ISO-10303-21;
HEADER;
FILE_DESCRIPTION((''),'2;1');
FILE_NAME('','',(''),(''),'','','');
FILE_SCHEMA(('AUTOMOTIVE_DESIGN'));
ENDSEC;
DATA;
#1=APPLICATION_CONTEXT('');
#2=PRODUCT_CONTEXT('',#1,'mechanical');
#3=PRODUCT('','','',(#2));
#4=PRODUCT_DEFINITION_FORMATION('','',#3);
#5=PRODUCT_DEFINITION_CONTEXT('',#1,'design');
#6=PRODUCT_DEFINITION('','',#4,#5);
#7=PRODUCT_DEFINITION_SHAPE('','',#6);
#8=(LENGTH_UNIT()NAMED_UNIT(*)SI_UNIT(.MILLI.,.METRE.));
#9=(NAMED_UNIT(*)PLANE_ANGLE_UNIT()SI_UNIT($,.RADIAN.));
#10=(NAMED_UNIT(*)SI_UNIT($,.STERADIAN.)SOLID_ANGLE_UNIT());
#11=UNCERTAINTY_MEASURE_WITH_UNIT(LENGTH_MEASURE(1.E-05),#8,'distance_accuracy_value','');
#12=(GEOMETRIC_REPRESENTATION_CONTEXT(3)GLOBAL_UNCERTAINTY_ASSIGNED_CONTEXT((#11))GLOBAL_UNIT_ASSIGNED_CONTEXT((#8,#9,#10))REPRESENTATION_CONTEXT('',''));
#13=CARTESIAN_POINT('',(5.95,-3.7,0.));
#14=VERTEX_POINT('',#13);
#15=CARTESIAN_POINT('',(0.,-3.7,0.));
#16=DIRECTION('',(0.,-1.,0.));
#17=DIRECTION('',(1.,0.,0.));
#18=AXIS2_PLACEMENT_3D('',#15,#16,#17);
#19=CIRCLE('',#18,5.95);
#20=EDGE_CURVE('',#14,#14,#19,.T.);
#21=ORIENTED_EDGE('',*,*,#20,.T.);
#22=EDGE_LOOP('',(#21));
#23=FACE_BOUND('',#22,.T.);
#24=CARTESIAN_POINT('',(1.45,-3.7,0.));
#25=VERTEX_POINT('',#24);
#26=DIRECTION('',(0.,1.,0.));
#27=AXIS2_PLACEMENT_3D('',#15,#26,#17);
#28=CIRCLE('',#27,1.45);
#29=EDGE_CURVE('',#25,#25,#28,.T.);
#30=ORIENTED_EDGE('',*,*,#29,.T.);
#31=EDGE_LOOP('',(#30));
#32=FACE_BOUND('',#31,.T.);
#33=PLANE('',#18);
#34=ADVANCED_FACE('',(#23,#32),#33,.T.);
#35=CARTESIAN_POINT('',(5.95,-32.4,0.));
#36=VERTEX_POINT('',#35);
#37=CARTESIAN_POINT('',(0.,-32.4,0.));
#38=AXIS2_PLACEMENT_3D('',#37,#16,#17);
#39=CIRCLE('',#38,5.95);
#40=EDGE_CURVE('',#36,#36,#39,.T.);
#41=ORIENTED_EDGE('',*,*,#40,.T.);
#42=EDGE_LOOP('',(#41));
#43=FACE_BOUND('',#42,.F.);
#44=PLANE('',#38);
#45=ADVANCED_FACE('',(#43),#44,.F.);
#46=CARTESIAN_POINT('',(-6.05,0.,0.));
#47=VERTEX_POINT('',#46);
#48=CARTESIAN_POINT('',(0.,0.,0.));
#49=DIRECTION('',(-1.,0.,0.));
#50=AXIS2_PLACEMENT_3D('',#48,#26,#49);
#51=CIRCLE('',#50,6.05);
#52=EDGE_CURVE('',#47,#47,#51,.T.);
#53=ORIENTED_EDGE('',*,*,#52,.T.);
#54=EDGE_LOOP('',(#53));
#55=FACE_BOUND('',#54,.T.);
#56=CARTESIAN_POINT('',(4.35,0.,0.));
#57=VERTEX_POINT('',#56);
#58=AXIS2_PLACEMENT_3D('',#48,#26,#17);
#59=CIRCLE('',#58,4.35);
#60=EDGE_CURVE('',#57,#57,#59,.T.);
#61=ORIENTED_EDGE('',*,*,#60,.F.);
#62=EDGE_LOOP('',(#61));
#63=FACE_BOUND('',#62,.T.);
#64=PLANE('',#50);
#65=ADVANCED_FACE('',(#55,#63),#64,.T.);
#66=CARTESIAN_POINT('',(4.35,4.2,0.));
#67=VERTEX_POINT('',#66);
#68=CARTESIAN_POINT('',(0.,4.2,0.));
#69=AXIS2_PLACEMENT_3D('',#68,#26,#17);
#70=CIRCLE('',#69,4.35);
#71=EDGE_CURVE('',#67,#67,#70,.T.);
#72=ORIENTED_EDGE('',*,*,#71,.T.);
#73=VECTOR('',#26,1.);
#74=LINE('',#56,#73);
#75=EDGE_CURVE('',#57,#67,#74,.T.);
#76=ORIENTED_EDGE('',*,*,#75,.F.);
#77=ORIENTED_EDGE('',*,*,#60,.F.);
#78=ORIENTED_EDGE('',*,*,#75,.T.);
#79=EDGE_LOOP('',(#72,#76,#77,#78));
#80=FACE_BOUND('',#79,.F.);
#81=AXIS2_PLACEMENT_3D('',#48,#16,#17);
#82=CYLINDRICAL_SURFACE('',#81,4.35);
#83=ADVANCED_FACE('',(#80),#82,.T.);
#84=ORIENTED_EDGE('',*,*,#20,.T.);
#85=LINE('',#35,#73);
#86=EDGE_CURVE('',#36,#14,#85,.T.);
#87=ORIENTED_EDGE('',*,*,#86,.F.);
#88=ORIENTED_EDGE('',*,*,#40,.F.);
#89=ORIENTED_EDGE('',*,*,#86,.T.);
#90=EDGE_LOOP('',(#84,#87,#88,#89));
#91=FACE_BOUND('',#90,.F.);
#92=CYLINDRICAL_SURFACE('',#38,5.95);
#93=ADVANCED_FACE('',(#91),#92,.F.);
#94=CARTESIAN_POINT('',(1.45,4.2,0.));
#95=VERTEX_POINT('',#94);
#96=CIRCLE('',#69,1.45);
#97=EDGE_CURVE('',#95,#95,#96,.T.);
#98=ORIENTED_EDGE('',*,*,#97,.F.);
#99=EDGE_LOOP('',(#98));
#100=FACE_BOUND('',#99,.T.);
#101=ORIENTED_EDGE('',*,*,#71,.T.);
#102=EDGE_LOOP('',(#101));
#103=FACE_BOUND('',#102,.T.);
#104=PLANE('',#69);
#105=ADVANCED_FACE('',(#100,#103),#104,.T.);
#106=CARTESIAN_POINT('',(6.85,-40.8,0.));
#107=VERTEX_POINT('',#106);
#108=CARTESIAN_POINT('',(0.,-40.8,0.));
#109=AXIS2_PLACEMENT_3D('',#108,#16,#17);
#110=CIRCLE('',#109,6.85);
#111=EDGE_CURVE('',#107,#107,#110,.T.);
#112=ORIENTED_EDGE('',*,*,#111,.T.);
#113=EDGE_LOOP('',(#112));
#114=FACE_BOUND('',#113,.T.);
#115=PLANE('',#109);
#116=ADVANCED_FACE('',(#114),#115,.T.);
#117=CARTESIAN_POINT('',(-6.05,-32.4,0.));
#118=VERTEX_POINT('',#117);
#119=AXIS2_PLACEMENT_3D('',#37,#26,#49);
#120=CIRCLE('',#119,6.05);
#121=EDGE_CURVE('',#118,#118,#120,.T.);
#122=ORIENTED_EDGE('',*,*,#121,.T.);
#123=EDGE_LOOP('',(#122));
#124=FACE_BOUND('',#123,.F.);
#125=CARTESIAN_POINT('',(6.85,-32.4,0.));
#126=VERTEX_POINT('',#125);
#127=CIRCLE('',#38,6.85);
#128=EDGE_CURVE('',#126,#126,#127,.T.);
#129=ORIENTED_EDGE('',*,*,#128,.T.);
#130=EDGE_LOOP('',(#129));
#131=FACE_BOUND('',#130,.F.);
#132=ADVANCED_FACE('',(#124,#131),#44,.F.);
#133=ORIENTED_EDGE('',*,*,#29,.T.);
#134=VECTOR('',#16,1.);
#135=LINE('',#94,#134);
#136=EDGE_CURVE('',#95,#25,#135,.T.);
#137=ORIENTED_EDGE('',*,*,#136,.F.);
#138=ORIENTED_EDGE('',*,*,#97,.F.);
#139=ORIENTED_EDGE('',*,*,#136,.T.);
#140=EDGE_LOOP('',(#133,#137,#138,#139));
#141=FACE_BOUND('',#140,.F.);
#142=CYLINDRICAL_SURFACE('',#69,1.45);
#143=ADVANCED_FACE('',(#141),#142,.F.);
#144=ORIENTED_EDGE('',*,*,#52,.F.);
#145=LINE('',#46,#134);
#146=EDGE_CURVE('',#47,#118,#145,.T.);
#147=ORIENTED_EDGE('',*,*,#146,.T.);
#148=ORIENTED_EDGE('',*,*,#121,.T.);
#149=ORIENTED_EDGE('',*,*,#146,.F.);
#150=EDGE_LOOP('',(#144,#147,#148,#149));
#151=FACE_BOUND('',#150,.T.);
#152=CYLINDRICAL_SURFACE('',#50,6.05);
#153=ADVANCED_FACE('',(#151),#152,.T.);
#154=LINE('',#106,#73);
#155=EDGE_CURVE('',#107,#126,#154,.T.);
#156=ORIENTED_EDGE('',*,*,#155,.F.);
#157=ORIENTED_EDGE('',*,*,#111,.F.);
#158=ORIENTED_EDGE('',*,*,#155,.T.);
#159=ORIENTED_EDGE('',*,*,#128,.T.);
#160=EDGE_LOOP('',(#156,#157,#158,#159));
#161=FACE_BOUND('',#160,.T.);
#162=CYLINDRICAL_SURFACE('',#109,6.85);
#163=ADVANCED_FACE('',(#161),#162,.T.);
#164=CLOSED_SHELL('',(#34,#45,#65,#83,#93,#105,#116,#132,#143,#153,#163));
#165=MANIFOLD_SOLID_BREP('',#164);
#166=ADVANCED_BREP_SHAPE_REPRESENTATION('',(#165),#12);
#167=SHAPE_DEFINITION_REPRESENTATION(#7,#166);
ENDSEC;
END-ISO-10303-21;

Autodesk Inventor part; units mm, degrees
ref_plane "YZ Plane" through (0, 0, 0) normal (1, 0, 0) x (0, 1, 0)
ref_plane "XZ Plane" through (0, 0, 0) normal (0, 1, 0) x (-1, 0, 0)
ref_plane "XY Plane" through (0, 0, 0) normal (0, 0, 1) x (1, 0, 0)
sketch "Boceto1" plane through (0, 0, 0) normal (0, 1, 0) x (-1, 0, 0)
  circle A0 centre (0, 0) radius 6.05
  dimension "d0" = 12.1
extrude "Extrusión1" add sketch "Boceto1" against normal blind 32.4
sketch "Boceto2" plane through (0, 0, 0) normal (0, 1, 0) x (1, 0, 0)
  circle A0 centre (0, 0) radius 4.35
  dimension "d3" = 8.7
extrude "Extrusión2" add sketch "Boceto2" along normal blind 4.2
thread "Rosca1" size "M9x1.25" class "6g" standard "ANSI Metric M Profile" full length
sketch "Boceto3" plane through (0, -32.4, 0) normal (0, -1, 0) x (1, 0, 0)
  circle A0 centre (0, 0) radius 6.9
  dimension "d8" = 13.8
sketch "Boceto4" plane through (0, -32.4, 0) normal (0, -1, 0) x (1, 0, 0)
  circle A0 centre (0, 0) radius 5.95
  dimension "d9" = 11.9
extrude "Extrusión3" cut sketch "Boceto4" against normal blind 28.7
sketch "Boceto5" plane through (0, -32.4, 0) normal (0, -1, 0) x (1, 0, 0)
  point P0 (0, 0)
extrude "Extrusión4" add sketch "Boceto3" along normal blind 8.4
sketch "Boceto6" plane through (0, 4.2, 0) normal (0, 1, 0) x (1, 0, 0)
  circle A0 centre (0, 0) radius 1.45
  dimension "d14" = 2.9
extrude "Extrusión5" cut sketch "Boceto6" against normal blind 20
sketch "Boceto7" plane through (0, -40.8, 0) normal (0, -1, 0) x (1, 0, 0)
  circle A0 centre (0, 0) radius 6.85
  circle A1 centre (0, 0) radius 6.9
  dimension "d17" = 13.7
  dimension "d18" = 13.8
extrude "Extrusión6" cut sketch "Boceto7" against normal blind 20
properties part number "Piston(Deposito_deAceite)" material "Plástico ABS"
